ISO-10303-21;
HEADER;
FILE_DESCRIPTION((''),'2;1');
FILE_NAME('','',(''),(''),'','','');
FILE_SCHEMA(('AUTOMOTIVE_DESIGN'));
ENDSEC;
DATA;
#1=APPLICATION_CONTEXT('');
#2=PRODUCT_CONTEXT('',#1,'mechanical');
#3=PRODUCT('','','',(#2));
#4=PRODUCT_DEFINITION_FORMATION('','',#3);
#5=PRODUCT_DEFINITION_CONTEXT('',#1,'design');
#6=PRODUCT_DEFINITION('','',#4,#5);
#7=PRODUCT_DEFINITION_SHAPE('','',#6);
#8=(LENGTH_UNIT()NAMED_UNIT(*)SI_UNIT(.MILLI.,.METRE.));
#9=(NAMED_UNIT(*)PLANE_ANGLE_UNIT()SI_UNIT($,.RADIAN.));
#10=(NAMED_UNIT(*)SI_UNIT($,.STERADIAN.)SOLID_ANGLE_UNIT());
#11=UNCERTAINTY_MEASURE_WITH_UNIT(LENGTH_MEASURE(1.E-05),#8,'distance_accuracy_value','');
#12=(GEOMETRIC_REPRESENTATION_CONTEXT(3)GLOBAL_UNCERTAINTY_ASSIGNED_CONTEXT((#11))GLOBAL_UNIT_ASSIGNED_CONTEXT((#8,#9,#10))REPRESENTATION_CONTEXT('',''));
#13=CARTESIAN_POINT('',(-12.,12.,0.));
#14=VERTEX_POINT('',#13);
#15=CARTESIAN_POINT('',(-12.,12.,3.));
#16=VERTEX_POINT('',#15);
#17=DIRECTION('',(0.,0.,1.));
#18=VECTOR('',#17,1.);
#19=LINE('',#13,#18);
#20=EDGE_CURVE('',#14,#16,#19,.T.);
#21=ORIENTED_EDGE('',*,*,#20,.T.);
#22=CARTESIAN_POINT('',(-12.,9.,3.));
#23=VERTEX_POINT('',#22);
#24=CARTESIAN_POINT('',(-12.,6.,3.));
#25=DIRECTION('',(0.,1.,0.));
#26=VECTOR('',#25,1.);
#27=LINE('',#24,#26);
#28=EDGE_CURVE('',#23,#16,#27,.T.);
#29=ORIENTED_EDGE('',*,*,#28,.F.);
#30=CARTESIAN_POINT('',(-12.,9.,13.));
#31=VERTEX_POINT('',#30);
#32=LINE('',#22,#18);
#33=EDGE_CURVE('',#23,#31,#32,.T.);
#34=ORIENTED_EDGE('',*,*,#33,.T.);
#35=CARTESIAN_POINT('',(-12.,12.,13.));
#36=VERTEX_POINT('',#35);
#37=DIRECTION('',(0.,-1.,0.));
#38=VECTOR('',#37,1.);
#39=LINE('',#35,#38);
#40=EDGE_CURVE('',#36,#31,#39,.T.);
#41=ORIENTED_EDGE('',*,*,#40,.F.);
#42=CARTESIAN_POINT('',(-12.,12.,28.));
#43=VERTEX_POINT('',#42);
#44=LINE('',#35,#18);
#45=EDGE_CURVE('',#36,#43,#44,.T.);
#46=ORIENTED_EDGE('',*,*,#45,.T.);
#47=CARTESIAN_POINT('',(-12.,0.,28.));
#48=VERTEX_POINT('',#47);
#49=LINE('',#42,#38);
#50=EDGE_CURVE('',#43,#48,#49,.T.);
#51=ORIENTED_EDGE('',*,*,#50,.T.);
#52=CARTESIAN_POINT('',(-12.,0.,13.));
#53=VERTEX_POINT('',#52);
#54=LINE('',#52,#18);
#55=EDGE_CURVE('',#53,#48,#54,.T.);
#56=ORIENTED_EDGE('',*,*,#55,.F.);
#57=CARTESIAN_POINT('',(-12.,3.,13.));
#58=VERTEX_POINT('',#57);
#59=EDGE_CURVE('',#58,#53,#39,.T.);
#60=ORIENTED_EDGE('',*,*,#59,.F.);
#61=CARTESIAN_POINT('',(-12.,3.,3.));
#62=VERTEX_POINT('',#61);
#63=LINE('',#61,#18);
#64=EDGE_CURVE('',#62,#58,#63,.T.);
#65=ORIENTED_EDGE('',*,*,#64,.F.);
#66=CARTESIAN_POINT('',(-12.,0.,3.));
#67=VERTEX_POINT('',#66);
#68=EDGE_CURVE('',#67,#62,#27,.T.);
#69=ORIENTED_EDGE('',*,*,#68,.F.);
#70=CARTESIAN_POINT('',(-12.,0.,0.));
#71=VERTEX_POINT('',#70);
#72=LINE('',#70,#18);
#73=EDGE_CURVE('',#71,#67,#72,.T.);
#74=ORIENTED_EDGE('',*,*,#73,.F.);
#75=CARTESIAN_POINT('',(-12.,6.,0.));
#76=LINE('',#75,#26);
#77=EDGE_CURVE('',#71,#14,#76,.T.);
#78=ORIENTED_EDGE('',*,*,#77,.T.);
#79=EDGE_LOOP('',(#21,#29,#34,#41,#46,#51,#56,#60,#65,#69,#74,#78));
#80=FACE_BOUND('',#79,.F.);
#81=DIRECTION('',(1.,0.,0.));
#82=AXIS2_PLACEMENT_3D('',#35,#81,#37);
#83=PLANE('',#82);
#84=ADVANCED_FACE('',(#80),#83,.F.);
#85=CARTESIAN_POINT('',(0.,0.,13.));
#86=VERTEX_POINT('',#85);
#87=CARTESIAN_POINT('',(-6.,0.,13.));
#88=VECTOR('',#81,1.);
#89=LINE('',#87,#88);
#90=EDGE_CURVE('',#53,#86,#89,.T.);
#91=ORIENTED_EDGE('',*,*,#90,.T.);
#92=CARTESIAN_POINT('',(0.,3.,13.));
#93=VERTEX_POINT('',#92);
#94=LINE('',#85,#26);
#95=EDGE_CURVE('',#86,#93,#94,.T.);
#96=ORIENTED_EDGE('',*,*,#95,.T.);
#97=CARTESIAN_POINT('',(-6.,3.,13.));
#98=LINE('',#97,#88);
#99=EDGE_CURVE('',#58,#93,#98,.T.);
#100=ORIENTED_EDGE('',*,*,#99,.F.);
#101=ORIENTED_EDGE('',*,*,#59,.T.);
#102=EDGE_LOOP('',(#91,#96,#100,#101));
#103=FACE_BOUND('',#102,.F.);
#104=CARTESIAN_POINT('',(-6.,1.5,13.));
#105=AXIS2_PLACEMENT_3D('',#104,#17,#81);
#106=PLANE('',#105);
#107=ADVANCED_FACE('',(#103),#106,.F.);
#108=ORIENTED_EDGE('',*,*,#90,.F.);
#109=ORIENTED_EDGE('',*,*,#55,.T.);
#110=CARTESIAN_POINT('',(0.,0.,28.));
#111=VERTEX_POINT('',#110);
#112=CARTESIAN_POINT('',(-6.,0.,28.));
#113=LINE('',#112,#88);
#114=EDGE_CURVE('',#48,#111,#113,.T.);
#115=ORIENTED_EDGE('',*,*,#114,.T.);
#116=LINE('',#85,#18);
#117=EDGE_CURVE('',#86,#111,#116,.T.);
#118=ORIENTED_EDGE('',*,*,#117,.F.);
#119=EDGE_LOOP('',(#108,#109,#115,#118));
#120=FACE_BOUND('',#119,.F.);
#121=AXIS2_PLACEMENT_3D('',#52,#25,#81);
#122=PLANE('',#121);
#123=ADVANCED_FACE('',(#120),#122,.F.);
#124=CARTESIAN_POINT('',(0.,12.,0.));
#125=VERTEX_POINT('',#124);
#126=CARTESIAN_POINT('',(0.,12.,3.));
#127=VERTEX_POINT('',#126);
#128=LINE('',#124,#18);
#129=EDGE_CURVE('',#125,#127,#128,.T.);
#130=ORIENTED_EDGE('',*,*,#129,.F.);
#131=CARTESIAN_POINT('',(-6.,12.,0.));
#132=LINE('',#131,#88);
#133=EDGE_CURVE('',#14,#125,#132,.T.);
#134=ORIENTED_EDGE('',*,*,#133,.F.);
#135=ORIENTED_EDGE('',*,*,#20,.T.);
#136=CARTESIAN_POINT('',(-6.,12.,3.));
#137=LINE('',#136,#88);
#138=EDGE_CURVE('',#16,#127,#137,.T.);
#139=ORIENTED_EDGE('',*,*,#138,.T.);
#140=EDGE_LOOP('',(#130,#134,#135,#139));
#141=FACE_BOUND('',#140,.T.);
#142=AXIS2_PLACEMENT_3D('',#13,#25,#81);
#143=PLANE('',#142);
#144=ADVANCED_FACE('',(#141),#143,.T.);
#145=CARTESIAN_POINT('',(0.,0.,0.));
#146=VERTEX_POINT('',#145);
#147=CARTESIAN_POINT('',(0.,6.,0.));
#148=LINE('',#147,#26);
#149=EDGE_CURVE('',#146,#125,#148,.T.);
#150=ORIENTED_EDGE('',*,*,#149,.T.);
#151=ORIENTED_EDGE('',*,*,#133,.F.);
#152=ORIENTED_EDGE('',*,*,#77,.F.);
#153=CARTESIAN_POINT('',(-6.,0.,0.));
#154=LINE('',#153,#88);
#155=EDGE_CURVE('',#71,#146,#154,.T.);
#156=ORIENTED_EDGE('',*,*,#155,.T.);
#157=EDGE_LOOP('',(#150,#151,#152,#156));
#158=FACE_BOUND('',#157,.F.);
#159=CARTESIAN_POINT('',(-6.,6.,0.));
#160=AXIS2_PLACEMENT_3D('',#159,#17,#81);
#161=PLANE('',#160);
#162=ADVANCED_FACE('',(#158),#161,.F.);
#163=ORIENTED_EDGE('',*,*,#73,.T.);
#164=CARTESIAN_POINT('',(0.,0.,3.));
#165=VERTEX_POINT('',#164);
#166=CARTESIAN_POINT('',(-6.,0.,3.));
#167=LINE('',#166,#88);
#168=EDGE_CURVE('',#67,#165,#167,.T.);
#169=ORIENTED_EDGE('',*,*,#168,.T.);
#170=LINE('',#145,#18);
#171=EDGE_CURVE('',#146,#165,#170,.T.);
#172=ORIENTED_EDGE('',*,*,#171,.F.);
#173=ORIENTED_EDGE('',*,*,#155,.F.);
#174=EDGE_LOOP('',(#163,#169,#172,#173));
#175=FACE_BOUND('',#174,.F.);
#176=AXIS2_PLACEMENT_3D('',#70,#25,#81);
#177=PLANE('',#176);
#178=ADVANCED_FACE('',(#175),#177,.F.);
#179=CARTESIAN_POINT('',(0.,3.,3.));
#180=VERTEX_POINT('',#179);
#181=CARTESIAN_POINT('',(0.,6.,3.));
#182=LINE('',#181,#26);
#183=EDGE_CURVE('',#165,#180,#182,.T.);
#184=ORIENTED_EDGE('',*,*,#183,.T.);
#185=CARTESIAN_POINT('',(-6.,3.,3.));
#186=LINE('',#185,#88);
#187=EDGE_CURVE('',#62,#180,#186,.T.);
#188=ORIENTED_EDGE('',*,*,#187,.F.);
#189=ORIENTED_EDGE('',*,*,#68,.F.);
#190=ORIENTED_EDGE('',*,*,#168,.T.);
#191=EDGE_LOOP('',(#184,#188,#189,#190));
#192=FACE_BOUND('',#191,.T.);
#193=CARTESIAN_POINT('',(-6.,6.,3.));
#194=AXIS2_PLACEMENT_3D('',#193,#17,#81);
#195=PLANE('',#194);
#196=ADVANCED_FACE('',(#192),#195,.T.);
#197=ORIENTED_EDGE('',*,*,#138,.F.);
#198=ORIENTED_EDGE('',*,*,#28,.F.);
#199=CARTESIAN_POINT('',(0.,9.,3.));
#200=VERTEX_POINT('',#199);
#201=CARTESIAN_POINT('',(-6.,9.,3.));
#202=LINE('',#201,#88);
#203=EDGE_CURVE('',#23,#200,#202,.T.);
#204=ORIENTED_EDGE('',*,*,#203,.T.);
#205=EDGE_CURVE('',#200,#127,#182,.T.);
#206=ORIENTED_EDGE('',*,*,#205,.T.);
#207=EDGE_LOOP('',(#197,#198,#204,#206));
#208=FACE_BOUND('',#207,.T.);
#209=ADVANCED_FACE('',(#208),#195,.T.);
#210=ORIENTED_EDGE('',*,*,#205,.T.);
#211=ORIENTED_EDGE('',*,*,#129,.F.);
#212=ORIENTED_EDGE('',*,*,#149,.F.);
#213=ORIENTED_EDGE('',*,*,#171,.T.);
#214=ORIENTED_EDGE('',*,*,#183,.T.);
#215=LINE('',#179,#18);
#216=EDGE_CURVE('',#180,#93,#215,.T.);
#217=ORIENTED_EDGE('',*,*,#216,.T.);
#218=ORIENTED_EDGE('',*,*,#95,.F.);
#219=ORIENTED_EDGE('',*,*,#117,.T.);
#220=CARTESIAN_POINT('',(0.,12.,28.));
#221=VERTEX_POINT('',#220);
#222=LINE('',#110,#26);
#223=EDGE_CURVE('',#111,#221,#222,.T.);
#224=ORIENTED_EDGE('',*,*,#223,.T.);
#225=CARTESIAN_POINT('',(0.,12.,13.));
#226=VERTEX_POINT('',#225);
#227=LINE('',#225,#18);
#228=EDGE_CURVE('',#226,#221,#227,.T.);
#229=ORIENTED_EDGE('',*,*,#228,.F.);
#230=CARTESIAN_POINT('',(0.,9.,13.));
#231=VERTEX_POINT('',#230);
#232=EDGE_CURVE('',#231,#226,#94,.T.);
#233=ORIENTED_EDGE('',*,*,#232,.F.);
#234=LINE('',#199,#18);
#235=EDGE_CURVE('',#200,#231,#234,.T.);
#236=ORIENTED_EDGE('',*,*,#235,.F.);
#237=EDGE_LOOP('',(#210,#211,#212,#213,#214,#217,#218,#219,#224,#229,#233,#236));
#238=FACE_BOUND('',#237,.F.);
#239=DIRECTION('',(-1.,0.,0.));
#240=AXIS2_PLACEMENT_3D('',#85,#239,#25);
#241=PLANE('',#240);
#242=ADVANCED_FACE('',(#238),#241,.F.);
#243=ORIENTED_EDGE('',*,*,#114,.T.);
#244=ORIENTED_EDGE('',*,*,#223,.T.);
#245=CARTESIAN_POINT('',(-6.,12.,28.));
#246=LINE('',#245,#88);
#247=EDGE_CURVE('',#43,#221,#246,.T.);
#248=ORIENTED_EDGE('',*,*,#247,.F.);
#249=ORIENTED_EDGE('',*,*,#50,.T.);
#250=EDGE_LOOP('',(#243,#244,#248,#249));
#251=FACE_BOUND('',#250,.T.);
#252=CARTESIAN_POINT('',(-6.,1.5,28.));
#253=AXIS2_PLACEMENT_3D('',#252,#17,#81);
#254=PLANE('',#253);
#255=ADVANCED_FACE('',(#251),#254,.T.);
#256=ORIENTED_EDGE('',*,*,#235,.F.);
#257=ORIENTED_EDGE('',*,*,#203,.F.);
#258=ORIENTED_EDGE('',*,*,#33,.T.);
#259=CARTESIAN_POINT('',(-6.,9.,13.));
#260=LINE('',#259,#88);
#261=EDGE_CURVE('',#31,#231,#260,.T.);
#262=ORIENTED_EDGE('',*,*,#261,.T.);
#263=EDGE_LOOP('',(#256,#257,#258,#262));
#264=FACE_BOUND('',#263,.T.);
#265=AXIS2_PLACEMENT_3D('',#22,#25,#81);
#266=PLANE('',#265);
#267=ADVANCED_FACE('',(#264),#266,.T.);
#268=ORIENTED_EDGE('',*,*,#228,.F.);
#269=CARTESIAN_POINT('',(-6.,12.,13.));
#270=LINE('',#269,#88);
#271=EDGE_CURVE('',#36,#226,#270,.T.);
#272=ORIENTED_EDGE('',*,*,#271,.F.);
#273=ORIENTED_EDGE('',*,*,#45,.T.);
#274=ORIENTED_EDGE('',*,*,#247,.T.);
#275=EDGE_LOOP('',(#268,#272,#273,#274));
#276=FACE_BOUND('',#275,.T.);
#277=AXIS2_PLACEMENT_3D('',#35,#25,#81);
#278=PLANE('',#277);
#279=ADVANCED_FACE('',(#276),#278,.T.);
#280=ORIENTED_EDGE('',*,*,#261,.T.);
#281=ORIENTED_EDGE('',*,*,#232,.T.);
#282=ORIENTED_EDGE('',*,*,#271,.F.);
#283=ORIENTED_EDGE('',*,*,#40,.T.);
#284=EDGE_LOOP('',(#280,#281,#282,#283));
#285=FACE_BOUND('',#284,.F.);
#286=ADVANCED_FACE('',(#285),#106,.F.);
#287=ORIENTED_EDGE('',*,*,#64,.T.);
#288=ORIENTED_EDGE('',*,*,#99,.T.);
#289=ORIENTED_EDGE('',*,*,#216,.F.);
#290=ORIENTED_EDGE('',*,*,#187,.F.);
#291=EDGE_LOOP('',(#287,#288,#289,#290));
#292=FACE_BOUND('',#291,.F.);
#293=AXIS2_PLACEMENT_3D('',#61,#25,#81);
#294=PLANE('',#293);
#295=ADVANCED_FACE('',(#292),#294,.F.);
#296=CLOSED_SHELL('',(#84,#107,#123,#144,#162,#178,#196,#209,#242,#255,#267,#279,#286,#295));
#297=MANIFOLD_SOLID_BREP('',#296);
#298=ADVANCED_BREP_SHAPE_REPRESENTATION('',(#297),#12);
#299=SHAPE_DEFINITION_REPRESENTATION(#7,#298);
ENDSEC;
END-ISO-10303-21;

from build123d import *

# Parameters (mm, degrees)
F0_W     = 12
F0_H     = 12
F1_DEPTH = 3
F2_W     = 12
F2_H     = 6
F3_DEPTH = 10
F4_W     = 12
F4_H     = 3
F4_H_2   = 6
F5_DEPTH = 15


with BuildPart() as f1:
    # F0 (on Top) → F1 (new body)
    with BuildSketch(Plane.XY):
        with Locations((-6, 6)):
            Rectangle(F0_W, F0_H)
    extrude(amount=F1_DEPTH)

    # F2 (on face) → F3 (join)
    with BuildSketch(Plane.XY.offset(3)):
        with Locations((-6, 6)):
            Rectangle(F2_W, F2_H)
    extrude(amount=F3_DEPTH)

    # F4 (on face) → F5 (join)
    with BuildSketch(Plane.XY.offset(13)):
        with Locations((-6, 1.5)):
            Rectangle(F4_W, F4_H)
        with Locations((-6, 6)):
            Rectangle(F4_W, F4_H_2)
        with Locations((-6, 10.5)):
            Rectangle(F4_W, F4_H)
    extrude(amount=F5_DEPTH)


solid = f1.part
